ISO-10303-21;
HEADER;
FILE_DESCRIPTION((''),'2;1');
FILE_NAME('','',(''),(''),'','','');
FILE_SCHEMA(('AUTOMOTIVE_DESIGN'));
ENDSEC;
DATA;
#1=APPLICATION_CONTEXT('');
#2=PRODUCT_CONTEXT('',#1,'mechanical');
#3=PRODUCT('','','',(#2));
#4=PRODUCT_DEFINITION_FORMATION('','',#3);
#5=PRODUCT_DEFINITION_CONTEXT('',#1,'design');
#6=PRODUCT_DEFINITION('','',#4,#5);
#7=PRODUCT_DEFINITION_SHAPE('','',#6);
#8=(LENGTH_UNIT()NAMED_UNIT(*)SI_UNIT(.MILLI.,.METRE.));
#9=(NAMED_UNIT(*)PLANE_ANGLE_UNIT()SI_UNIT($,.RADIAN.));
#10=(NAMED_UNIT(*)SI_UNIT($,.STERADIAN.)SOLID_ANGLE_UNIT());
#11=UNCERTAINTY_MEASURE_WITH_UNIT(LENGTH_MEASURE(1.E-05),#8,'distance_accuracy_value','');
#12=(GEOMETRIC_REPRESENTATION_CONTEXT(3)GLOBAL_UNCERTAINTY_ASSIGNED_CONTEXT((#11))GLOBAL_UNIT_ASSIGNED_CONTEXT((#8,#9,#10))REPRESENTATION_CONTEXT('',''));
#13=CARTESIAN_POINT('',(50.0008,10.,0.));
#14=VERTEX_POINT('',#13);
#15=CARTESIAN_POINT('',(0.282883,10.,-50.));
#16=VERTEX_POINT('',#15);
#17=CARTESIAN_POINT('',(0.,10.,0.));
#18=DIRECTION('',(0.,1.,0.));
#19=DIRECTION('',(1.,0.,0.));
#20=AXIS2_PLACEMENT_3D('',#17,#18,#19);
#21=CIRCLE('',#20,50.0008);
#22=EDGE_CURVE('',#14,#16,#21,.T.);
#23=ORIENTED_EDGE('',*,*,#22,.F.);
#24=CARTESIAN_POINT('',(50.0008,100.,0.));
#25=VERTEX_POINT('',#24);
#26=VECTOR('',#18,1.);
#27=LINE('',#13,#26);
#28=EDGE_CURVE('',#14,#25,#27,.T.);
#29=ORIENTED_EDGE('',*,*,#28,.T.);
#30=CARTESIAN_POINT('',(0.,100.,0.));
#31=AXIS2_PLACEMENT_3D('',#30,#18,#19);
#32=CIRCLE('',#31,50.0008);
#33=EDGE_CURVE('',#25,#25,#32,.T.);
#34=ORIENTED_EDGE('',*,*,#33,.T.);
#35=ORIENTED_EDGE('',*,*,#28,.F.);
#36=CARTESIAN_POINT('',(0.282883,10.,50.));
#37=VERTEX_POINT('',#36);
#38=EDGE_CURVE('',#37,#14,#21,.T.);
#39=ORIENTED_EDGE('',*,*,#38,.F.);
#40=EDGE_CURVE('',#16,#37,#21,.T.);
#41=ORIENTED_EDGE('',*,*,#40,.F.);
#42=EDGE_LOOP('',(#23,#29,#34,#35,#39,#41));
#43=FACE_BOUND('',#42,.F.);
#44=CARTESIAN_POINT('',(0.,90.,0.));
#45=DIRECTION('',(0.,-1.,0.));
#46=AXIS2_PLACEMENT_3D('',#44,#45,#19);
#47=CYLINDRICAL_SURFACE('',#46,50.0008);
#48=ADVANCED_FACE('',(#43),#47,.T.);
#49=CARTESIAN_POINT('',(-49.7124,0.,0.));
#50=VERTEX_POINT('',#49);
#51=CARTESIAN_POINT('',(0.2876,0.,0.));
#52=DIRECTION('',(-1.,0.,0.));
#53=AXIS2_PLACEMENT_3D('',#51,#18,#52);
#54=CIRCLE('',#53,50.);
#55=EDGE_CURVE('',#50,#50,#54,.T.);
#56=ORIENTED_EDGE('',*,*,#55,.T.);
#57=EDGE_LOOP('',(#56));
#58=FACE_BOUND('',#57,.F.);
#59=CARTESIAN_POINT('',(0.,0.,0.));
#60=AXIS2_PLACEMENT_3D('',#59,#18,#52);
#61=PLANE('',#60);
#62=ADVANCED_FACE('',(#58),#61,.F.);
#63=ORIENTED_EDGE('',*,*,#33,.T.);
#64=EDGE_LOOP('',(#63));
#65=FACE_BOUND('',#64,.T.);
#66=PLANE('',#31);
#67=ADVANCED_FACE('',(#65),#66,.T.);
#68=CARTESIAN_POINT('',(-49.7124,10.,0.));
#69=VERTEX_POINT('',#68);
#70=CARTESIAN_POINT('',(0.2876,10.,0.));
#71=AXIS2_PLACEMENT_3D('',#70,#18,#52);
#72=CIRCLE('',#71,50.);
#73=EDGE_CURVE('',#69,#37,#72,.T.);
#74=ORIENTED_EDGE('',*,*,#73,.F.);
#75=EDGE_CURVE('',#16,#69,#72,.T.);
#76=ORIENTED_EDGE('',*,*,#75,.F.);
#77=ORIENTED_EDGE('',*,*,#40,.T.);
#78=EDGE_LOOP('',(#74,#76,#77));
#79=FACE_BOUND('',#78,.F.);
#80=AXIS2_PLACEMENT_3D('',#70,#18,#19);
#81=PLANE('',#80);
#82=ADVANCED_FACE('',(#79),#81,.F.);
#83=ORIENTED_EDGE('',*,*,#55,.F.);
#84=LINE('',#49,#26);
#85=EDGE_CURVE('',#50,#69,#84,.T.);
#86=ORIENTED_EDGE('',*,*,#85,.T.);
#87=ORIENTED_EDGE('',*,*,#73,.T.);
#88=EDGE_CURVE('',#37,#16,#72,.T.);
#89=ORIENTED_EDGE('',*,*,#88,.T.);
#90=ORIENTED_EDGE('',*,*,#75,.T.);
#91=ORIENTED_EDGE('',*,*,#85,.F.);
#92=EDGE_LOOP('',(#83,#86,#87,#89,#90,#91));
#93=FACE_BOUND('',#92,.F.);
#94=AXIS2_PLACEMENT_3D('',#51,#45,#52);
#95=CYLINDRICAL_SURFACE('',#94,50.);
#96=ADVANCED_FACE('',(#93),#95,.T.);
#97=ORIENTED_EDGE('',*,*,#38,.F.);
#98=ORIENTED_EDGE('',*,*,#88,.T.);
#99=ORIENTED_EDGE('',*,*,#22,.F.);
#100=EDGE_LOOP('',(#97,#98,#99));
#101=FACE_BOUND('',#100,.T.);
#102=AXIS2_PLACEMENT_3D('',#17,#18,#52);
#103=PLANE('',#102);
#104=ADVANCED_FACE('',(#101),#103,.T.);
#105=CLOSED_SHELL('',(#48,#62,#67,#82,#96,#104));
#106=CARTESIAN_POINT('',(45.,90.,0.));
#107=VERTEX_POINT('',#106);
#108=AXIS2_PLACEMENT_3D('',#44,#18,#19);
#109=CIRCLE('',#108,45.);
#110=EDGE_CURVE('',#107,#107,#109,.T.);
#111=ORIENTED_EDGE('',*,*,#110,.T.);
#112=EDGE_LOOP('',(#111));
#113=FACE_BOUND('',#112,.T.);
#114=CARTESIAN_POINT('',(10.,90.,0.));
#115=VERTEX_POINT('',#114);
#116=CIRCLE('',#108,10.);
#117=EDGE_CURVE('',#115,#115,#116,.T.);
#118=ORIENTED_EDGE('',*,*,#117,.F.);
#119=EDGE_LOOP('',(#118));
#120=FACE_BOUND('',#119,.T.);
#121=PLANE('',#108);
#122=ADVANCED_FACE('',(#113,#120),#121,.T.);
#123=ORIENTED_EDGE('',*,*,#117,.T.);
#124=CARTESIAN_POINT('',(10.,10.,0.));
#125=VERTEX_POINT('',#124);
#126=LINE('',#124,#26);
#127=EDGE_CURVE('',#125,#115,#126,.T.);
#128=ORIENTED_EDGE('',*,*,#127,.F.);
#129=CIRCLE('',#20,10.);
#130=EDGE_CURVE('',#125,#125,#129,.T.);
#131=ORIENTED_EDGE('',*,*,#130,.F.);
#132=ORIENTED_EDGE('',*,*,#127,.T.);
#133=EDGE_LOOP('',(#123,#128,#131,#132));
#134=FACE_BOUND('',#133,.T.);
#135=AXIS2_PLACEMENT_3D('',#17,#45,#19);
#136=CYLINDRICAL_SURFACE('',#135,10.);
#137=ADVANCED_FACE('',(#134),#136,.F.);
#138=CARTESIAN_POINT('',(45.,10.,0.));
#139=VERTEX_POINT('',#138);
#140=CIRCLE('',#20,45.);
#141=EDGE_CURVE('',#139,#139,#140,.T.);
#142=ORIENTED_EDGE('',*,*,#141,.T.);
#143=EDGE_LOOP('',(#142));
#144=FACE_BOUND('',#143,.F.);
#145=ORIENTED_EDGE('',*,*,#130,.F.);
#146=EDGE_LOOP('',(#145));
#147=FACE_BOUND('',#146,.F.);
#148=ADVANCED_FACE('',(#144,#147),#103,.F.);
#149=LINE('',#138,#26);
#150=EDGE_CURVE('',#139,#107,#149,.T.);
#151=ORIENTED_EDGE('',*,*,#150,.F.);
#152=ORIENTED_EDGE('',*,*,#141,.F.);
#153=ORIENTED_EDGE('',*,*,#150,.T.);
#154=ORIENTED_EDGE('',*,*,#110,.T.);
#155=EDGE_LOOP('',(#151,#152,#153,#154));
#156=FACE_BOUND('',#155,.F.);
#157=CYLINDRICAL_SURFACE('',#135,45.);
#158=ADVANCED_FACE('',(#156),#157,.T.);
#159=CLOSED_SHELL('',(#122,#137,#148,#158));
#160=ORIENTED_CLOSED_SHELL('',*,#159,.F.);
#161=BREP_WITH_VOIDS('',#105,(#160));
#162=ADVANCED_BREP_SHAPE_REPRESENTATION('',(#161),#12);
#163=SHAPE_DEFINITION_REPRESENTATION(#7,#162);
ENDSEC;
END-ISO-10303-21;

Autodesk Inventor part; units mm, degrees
ref_plane "YZ Plane" through (0, 0, 0) normal (1, 0, 0) x (0, 1, 0)
ref_plane "XZ Plane" through (0, 0, 0) normal (0, 1, 0) x (-1, 0, 0)
ref_plane "XY Plane" through (0, 0, 0) normal (0, 0, 1) x (1, 0, 0)
sketch "Sketch2" plane through (0, 0, 0) normal (0, 1, 0) x (-1, 0, 0)
  point P0 (0, 0)
sketch "Sketch3" plane through (0, 0, 0) normal (0, 1, 0) x (-1, 0, 0)
  circle A0 centre (-0.2876, 0) radius 50
  point P0 (0, 0)
  dimension "d0" = 100
extrude "Extrusion1" add sketch "Sketch3" along normal blind 10
sketch "Sketch4" plane through (0.2876, 10, 0) normal (0, 1, 0) x (1, 0, 0)
  circle A0 centre (-0.2876, 0) radius 50.0008
  circle A1 centre (-0.2876, 0) radius 45
  circle A2 centre (-0.2876, 0) radius 10
  dimension "d3" = 90
  dimension "d4" = 20
extrude "Extrusion2" add sketch "Sketch4" along normal blind 80
sketch "Sketch5" plane through (0, 90, 0) normal (0, 1, 0) x (1, 0, 0)
  circle A0 centre (0, 0) radius 50.0008
extrude "Extrusion3" add sketch "Sketch5" along normal blind 10
properties part number "cyl1_10cm_10cm"
